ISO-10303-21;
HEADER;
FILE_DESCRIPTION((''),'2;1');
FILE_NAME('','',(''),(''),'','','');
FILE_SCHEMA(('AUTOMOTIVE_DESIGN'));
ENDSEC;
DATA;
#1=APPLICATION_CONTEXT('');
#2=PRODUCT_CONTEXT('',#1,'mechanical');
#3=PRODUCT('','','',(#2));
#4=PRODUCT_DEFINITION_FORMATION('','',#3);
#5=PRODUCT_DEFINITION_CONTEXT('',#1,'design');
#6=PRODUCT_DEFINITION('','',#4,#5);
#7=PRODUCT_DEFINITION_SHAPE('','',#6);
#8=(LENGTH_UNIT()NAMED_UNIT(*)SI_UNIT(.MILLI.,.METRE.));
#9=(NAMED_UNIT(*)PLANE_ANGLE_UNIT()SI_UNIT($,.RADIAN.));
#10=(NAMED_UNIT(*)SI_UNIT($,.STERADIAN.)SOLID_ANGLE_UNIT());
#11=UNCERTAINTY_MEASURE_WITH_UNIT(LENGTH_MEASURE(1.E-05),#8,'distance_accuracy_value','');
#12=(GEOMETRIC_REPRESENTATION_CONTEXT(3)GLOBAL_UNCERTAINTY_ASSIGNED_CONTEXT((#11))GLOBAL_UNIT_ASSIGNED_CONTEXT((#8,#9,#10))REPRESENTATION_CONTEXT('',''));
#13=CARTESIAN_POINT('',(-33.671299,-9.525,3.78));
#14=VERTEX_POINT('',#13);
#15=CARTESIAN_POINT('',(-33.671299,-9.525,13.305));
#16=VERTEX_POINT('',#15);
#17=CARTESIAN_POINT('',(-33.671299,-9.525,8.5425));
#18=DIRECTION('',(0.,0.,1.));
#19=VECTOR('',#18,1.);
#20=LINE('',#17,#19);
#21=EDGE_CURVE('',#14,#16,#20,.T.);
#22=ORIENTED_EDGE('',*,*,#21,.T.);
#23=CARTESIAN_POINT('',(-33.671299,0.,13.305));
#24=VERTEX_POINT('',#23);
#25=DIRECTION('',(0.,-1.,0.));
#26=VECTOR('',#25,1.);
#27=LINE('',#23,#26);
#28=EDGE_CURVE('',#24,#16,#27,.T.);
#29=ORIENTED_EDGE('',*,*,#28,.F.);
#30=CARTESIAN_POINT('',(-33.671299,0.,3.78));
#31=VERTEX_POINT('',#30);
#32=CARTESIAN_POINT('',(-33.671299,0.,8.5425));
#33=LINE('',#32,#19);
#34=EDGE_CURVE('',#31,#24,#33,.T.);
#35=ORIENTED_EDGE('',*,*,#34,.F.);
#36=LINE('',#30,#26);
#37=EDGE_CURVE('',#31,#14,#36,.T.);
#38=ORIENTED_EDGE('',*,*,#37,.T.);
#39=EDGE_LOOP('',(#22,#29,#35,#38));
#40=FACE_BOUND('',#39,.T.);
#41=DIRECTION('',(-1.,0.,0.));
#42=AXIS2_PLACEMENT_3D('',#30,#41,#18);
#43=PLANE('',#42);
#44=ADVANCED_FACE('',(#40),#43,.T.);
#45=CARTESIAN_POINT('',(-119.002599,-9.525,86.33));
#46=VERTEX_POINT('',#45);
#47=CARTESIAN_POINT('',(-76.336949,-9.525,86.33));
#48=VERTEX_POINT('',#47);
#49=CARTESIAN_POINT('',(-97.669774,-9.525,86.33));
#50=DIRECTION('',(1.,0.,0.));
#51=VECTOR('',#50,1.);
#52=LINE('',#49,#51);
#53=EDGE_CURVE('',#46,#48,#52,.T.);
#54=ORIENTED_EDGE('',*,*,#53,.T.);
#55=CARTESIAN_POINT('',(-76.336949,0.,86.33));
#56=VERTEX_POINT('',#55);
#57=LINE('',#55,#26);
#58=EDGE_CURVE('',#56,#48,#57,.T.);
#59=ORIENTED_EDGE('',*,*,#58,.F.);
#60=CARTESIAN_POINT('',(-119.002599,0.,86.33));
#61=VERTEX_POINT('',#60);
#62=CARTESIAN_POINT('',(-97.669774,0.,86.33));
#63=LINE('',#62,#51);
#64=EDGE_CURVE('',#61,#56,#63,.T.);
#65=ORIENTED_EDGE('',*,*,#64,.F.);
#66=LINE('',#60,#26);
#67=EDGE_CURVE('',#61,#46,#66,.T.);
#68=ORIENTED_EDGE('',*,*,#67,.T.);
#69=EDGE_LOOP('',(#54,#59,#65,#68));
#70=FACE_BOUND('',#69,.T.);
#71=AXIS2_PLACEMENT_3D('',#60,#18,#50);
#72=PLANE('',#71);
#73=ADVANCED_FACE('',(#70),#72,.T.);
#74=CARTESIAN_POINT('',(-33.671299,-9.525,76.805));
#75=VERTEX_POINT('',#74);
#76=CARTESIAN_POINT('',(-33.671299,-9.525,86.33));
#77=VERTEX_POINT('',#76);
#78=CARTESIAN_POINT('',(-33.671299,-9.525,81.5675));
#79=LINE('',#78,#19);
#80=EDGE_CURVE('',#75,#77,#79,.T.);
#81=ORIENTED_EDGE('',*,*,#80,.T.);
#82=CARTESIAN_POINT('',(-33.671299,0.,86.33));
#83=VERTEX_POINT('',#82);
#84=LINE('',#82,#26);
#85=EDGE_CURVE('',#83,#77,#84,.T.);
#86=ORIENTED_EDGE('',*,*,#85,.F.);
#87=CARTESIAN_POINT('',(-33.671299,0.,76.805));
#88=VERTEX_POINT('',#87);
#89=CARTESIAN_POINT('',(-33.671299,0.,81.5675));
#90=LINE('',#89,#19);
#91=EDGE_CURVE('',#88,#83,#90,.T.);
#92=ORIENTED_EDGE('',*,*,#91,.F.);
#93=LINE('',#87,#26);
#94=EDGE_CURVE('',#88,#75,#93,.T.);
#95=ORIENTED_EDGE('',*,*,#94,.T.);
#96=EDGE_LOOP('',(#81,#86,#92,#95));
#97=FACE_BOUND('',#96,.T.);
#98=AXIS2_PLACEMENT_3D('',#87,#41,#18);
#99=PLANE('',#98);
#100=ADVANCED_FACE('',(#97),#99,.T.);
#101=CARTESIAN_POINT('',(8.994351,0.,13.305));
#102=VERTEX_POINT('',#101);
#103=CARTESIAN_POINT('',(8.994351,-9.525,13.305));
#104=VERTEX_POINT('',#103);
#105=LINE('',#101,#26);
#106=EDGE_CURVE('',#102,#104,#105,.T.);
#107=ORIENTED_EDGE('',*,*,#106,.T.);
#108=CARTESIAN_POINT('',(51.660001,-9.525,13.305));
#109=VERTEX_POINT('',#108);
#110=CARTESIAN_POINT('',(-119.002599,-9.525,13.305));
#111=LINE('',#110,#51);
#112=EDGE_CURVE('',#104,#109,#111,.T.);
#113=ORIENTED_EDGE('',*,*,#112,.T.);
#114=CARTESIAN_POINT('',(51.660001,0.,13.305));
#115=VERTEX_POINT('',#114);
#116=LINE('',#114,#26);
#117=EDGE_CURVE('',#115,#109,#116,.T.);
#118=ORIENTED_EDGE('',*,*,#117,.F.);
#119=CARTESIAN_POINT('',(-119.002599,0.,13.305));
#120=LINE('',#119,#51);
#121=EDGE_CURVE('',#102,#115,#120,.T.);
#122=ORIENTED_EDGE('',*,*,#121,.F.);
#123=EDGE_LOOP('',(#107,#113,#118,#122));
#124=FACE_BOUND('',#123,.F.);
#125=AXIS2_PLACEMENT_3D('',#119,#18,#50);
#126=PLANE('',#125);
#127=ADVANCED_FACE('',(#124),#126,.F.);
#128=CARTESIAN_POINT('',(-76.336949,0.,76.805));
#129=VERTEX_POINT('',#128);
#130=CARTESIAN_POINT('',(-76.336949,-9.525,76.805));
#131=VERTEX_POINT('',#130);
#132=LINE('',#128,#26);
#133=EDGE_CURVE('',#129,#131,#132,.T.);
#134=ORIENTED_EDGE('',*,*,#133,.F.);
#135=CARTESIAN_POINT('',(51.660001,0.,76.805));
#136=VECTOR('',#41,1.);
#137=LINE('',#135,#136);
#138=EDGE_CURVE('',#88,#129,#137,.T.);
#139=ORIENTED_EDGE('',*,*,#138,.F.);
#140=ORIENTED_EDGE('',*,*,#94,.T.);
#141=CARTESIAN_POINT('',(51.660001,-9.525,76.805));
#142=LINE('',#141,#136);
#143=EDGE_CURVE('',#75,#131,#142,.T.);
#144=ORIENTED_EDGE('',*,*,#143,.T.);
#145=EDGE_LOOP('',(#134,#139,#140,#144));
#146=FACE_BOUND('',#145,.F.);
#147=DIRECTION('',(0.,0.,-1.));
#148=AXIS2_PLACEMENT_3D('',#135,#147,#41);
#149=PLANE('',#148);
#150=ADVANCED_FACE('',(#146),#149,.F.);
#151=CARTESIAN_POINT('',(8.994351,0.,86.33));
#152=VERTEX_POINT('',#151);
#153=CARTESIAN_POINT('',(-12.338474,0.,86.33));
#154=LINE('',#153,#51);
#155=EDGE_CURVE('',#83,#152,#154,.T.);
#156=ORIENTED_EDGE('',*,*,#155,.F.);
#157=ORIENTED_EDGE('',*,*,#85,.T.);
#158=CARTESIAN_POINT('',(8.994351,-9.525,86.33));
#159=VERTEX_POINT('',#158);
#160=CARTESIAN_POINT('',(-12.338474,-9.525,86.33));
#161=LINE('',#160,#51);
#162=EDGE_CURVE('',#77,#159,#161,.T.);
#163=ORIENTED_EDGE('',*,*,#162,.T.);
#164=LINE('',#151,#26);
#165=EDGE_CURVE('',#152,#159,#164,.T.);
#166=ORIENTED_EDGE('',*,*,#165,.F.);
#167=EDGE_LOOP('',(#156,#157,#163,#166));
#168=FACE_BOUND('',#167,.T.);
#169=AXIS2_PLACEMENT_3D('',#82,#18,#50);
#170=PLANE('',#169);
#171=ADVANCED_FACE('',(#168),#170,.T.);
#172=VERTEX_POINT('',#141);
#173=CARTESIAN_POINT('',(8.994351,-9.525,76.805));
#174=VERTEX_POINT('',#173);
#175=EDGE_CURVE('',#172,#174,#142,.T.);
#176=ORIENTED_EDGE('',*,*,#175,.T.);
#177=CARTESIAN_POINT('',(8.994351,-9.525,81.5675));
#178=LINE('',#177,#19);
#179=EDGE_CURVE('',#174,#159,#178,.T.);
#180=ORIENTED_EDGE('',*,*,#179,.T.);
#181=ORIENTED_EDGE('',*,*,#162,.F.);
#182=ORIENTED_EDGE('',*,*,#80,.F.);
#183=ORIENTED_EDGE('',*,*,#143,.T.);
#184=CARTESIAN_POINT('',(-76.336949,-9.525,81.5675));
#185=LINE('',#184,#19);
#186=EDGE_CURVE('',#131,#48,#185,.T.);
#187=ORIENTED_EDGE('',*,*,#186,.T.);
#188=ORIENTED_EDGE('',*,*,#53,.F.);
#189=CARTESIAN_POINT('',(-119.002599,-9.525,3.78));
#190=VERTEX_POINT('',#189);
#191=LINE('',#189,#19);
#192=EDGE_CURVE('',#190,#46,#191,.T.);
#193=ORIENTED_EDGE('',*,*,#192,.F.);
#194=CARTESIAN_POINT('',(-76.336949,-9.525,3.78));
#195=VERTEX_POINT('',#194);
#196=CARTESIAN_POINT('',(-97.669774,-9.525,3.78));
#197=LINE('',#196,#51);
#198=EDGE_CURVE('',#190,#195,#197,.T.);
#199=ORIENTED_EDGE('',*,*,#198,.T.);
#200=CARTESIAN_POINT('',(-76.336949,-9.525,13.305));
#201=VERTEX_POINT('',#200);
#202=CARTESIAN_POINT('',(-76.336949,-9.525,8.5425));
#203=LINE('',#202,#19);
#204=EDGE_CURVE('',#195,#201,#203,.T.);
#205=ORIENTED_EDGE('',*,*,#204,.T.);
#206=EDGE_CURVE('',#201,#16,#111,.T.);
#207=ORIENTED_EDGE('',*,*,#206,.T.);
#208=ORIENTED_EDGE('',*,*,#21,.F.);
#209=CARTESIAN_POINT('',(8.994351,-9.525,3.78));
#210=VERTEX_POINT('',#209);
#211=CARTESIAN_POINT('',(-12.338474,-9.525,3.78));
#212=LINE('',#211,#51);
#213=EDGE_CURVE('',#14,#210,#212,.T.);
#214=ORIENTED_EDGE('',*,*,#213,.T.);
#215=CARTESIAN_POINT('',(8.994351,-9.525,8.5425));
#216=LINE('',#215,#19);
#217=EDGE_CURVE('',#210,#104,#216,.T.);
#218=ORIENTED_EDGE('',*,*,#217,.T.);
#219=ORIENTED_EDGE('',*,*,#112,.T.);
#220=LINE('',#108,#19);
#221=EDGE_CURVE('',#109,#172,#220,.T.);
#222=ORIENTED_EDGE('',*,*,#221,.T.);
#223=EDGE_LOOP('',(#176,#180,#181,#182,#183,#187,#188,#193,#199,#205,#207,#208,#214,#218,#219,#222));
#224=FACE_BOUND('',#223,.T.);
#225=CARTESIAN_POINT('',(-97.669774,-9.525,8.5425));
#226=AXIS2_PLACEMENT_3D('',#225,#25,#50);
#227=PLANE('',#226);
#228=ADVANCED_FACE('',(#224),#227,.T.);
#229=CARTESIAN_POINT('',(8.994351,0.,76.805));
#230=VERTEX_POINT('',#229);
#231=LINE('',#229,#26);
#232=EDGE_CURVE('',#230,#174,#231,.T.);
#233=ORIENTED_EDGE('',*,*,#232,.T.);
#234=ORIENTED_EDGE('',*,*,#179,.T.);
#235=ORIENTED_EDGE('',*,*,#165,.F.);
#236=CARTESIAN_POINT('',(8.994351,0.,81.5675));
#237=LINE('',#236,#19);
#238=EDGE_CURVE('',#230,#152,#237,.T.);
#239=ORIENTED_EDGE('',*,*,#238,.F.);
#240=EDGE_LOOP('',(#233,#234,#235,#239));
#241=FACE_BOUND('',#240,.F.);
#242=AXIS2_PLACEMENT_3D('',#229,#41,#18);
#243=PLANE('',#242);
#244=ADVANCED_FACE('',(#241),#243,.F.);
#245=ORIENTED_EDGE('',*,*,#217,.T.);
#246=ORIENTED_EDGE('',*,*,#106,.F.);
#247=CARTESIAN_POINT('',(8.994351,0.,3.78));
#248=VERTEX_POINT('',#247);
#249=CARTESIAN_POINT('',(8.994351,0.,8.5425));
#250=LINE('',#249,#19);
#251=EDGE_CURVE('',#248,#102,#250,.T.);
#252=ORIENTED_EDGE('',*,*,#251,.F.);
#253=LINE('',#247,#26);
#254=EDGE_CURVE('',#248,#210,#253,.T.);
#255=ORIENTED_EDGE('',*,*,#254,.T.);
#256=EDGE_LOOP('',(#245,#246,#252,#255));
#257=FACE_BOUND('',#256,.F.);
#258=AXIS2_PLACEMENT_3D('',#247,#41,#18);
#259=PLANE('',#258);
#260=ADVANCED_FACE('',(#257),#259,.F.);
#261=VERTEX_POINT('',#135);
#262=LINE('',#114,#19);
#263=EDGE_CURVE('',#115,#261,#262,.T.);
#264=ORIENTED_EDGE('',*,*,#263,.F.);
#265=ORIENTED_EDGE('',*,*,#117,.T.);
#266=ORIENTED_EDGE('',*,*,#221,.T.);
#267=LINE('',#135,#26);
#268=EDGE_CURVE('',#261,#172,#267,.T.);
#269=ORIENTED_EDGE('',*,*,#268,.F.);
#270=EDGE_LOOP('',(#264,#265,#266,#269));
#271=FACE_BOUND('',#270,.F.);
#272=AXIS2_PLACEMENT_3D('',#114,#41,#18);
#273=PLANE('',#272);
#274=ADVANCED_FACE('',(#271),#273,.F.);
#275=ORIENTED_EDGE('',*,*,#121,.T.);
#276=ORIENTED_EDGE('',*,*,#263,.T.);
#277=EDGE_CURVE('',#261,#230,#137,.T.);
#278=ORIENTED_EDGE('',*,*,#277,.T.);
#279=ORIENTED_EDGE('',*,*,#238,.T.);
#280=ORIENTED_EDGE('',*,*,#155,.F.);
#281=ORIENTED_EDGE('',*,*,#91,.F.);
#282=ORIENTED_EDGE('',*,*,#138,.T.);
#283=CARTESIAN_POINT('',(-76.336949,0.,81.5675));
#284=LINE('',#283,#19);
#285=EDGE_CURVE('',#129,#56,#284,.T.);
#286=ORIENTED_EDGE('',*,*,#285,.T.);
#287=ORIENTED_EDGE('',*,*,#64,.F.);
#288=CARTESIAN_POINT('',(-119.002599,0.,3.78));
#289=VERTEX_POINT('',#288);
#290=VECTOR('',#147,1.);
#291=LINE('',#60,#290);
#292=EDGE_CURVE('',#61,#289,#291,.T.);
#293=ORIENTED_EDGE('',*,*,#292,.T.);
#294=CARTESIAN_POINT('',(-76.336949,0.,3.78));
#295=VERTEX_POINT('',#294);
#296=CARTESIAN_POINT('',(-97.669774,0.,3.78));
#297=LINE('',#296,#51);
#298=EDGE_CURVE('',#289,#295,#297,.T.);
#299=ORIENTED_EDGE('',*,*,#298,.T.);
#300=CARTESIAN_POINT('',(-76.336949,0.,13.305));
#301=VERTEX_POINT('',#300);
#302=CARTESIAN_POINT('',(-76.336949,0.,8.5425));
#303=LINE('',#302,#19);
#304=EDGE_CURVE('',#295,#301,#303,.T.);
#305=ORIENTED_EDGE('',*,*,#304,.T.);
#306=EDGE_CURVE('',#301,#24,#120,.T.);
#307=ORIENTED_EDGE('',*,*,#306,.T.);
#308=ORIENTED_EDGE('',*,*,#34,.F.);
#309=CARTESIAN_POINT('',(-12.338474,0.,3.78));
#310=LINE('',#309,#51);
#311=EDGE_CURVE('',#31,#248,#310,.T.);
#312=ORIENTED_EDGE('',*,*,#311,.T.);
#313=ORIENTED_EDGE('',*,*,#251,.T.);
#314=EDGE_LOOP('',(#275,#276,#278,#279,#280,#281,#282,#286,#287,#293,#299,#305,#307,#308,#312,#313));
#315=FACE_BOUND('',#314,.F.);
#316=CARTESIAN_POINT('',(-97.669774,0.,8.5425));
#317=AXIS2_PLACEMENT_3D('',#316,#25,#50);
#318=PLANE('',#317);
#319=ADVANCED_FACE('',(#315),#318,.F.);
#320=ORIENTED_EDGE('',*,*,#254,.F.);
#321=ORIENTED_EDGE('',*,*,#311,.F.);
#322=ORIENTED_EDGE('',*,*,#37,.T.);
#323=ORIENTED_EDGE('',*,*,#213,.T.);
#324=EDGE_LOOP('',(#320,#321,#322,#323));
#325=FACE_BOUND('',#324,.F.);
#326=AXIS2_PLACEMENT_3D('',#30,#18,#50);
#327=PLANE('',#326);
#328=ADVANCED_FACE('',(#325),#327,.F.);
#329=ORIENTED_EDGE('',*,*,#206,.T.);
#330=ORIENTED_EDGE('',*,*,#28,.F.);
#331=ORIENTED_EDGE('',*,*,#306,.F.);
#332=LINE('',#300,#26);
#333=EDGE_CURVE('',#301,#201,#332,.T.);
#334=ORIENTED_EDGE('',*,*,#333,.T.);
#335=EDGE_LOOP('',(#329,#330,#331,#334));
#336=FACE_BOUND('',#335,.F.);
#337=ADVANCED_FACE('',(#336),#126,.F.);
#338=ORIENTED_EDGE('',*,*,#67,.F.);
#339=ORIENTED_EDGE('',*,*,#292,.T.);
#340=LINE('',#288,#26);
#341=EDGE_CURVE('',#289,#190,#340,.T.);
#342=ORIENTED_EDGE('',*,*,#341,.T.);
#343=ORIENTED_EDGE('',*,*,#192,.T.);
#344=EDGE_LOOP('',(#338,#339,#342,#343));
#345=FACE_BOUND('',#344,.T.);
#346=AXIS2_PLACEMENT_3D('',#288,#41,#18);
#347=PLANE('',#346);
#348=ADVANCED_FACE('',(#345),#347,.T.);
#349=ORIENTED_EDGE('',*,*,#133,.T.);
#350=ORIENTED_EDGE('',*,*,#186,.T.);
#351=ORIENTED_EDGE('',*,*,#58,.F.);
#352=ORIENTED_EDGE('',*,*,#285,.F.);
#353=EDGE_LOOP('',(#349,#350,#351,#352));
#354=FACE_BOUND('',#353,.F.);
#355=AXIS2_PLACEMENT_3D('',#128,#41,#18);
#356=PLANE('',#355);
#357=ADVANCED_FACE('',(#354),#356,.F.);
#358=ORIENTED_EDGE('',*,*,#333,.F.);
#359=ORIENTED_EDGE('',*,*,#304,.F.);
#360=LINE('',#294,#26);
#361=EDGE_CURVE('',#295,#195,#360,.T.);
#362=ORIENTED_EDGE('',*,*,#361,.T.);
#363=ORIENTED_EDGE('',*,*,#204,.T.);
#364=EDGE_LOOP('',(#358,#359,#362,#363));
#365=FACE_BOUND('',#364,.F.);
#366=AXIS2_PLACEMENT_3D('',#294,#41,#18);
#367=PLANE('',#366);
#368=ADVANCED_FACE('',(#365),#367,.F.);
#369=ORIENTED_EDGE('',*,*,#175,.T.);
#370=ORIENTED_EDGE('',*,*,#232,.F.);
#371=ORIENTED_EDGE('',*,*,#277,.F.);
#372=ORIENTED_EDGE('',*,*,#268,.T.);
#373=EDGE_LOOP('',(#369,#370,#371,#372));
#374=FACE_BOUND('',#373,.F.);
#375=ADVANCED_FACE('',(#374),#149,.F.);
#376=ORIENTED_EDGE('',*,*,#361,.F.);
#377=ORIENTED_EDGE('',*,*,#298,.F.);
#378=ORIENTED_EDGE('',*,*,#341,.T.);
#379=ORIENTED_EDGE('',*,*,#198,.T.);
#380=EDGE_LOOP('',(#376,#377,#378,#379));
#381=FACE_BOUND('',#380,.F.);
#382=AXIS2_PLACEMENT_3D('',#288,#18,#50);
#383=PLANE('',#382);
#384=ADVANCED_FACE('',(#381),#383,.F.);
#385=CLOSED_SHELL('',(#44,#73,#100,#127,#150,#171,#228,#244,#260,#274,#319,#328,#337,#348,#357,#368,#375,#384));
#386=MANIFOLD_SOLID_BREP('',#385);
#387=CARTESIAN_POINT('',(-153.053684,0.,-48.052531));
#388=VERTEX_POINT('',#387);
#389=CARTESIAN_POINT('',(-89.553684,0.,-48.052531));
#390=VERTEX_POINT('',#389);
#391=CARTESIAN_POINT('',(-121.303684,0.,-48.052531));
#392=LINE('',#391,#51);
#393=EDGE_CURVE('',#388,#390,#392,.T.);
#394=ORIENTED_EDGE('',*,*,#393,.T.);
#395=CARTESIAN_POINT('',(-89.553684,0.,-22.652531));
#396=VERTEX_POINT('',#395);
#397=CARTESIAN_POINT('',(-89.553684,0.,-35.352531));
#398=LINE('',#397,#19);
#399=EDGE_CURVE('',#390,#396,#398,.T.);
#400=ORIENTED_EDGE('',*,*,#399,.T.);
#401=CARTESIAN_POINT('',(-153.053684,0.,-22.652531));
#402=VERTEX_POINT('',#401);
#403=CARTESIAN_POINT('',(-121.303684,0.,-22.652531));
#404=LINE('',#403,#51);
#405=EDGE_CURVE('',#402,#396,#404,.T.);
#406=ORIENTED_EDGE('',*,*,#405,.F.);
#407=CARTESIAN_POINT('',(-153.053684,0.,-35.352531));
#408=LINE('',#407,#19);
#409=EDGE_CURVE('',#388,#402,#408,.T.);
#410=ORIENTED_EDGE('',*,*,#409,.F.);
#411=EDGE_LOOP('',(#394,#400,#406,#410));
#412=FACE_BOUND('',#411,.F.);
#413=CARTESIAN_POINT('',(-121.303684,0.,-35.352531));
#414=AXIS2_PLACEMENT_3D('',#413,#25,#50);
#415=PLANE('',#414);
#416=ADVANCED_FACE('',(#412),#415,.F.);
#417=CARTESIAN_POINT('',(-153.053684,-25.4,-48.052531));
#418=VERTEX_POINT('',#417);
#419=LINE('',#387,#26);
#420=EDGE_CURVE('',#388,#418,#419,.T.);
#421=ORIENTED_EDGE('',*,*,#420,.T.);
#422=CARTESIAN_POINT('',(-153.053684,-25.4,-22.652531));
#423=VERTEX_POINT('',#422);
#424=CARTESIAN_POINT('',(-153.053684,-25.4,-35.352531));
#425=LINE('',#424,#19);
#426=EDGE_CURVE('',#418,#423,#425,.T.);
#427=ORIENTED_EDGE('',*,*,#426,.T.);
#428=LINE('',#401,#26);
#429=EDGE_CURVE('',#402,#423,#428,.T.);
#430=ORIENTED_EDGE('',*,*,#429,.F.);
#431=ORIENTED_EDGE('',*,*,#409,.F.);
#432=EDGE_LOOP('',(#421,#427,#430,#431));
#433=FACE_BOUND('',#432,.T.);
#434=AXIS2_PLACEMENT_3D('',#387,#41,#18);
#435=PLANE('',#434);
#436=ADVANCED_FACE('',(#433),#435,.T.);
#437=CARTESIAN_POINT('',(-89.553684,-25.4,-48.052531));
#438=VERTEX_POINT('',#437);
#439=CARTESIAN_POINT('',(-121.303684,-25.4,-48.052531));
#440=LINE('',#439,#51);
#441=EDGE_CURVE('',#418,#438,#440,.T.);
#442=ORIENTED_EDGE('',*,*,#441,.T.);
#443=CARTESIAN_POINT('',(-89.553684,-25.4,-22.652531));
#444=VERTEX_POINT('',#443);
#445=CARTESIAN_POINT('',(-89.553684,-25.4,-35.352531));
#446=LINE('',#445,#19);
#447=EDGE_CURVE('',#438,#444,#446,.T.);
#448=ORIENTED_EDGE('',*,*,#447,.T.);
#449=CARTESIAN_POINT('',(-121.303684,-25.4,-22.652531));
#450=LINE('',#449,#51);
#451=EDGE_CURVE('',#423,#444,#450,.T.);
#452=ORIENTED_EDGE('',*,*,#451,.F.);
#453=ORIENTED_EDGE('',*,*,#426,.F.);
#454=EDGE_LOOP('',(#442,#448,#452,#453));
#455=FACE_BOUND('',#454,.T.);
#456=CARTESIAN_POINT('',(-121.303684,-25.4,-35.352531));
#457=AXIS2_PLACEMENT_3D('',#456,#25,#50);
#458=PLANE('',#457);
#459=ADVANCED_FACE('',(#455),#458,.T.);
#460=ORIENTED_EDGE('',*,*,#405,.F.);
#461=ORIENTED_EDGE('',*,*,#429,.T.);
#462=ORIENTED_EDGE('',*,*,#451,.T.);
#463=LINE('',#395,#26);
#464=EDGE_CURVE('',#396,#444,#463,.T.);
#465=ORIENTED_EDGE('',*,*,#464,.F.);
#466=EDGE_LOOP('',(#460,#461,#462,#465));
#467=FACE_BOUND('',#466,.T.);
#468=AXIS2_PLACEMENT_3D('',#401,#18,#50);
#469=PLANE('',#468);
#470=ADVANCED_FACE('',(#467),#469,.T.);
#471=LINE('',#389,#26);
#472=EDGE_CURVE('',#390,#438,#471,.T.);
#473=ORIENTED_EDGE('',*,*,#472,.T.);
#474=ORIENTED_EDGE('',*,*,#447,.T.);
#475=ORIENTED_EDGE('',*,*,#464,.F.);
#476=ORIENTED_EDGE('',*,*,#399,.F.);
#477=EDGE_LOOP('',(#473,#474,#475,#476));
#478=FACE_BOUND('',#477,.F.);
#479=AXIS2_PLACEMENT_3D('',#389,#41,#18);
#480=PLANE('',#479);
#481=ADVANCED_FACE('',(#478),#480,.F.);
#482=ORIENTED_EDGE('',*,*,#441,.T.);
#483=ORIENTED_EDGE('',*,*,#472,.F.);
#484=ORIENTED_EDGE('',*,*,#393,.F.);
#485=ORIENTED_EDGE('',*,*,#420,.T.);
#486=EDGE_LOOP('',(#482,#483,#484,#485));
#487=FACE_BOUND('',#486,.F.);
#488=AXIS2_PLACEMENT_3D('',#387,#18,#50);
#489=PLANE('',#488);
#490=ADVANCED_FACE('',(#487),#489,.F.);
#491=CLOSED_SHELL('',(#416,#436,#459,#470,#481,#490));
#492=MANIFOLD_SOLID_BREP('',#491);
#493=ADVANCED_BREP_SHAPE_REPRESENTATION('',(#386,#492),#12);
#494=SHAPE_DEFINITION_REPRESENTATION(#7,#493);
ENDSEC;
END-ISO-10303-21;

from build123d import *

# Parameters (mm, degrees)
F1_DEPTH = 9.525
F0_W     = 42.66565
F0_H     = 9.525
F2_DEPTH = 9.525
F3_W     = 63.5
F3_H     = 25.4
F4_DEPTH = 25.4


with BuildPart() as f1:
    # F0 (on Front) → F1 (new body)
    with BuildSketch(Plane.XZ):
        Polygon((-76.3369487221, 76.8050001446), (-119.0025987221, 76.8050001446), (-119.0025987221, 13.3050001446), (-76.3369487221, 13.3050001446), (-33.6712987221, 13.3050001446), (8.9943512779, 13.3050001446), (51.6600012779, 13.3050001446), (51.6600012779, 76.8050001446), (8.9943512779, 76.8050001446), (-33.6712987221, 76.8050001446), align=None)
    extrude(amount=F1_DEPTH)

    # F0 (on Front) → F2 (join)
    with BuildSketch(Plane.XZ):
        with Locations((-97.6697737221, 8.5425001446)):
            Rectangle(F0_W, F0_H)
        with Locations((-12.3384737221, 8.5425001446)):
            Rectangle(F0_W, F0_H)
        with Locations((-97.6697737221, 81.5675001446)):
            Rectangle(F0_W, F0_H)
        with Locations((-12.3384737221, 81.5675001446)):
            Rectangle(F0_W, F0_H)
    extrude(amount=F2_DEPTH)


with BuildPart() as f4:
    # F3 (on Front) → F4 (new body)
    with BuildSketch(Plane.XZ):
        with Locations((-121.3036839962, -35.3525307357)):
            Rectangle(F3_W, F3_H)
    extrude(amount=F4_DEPTH)


solid = Compound([f1.part, f4.part])
